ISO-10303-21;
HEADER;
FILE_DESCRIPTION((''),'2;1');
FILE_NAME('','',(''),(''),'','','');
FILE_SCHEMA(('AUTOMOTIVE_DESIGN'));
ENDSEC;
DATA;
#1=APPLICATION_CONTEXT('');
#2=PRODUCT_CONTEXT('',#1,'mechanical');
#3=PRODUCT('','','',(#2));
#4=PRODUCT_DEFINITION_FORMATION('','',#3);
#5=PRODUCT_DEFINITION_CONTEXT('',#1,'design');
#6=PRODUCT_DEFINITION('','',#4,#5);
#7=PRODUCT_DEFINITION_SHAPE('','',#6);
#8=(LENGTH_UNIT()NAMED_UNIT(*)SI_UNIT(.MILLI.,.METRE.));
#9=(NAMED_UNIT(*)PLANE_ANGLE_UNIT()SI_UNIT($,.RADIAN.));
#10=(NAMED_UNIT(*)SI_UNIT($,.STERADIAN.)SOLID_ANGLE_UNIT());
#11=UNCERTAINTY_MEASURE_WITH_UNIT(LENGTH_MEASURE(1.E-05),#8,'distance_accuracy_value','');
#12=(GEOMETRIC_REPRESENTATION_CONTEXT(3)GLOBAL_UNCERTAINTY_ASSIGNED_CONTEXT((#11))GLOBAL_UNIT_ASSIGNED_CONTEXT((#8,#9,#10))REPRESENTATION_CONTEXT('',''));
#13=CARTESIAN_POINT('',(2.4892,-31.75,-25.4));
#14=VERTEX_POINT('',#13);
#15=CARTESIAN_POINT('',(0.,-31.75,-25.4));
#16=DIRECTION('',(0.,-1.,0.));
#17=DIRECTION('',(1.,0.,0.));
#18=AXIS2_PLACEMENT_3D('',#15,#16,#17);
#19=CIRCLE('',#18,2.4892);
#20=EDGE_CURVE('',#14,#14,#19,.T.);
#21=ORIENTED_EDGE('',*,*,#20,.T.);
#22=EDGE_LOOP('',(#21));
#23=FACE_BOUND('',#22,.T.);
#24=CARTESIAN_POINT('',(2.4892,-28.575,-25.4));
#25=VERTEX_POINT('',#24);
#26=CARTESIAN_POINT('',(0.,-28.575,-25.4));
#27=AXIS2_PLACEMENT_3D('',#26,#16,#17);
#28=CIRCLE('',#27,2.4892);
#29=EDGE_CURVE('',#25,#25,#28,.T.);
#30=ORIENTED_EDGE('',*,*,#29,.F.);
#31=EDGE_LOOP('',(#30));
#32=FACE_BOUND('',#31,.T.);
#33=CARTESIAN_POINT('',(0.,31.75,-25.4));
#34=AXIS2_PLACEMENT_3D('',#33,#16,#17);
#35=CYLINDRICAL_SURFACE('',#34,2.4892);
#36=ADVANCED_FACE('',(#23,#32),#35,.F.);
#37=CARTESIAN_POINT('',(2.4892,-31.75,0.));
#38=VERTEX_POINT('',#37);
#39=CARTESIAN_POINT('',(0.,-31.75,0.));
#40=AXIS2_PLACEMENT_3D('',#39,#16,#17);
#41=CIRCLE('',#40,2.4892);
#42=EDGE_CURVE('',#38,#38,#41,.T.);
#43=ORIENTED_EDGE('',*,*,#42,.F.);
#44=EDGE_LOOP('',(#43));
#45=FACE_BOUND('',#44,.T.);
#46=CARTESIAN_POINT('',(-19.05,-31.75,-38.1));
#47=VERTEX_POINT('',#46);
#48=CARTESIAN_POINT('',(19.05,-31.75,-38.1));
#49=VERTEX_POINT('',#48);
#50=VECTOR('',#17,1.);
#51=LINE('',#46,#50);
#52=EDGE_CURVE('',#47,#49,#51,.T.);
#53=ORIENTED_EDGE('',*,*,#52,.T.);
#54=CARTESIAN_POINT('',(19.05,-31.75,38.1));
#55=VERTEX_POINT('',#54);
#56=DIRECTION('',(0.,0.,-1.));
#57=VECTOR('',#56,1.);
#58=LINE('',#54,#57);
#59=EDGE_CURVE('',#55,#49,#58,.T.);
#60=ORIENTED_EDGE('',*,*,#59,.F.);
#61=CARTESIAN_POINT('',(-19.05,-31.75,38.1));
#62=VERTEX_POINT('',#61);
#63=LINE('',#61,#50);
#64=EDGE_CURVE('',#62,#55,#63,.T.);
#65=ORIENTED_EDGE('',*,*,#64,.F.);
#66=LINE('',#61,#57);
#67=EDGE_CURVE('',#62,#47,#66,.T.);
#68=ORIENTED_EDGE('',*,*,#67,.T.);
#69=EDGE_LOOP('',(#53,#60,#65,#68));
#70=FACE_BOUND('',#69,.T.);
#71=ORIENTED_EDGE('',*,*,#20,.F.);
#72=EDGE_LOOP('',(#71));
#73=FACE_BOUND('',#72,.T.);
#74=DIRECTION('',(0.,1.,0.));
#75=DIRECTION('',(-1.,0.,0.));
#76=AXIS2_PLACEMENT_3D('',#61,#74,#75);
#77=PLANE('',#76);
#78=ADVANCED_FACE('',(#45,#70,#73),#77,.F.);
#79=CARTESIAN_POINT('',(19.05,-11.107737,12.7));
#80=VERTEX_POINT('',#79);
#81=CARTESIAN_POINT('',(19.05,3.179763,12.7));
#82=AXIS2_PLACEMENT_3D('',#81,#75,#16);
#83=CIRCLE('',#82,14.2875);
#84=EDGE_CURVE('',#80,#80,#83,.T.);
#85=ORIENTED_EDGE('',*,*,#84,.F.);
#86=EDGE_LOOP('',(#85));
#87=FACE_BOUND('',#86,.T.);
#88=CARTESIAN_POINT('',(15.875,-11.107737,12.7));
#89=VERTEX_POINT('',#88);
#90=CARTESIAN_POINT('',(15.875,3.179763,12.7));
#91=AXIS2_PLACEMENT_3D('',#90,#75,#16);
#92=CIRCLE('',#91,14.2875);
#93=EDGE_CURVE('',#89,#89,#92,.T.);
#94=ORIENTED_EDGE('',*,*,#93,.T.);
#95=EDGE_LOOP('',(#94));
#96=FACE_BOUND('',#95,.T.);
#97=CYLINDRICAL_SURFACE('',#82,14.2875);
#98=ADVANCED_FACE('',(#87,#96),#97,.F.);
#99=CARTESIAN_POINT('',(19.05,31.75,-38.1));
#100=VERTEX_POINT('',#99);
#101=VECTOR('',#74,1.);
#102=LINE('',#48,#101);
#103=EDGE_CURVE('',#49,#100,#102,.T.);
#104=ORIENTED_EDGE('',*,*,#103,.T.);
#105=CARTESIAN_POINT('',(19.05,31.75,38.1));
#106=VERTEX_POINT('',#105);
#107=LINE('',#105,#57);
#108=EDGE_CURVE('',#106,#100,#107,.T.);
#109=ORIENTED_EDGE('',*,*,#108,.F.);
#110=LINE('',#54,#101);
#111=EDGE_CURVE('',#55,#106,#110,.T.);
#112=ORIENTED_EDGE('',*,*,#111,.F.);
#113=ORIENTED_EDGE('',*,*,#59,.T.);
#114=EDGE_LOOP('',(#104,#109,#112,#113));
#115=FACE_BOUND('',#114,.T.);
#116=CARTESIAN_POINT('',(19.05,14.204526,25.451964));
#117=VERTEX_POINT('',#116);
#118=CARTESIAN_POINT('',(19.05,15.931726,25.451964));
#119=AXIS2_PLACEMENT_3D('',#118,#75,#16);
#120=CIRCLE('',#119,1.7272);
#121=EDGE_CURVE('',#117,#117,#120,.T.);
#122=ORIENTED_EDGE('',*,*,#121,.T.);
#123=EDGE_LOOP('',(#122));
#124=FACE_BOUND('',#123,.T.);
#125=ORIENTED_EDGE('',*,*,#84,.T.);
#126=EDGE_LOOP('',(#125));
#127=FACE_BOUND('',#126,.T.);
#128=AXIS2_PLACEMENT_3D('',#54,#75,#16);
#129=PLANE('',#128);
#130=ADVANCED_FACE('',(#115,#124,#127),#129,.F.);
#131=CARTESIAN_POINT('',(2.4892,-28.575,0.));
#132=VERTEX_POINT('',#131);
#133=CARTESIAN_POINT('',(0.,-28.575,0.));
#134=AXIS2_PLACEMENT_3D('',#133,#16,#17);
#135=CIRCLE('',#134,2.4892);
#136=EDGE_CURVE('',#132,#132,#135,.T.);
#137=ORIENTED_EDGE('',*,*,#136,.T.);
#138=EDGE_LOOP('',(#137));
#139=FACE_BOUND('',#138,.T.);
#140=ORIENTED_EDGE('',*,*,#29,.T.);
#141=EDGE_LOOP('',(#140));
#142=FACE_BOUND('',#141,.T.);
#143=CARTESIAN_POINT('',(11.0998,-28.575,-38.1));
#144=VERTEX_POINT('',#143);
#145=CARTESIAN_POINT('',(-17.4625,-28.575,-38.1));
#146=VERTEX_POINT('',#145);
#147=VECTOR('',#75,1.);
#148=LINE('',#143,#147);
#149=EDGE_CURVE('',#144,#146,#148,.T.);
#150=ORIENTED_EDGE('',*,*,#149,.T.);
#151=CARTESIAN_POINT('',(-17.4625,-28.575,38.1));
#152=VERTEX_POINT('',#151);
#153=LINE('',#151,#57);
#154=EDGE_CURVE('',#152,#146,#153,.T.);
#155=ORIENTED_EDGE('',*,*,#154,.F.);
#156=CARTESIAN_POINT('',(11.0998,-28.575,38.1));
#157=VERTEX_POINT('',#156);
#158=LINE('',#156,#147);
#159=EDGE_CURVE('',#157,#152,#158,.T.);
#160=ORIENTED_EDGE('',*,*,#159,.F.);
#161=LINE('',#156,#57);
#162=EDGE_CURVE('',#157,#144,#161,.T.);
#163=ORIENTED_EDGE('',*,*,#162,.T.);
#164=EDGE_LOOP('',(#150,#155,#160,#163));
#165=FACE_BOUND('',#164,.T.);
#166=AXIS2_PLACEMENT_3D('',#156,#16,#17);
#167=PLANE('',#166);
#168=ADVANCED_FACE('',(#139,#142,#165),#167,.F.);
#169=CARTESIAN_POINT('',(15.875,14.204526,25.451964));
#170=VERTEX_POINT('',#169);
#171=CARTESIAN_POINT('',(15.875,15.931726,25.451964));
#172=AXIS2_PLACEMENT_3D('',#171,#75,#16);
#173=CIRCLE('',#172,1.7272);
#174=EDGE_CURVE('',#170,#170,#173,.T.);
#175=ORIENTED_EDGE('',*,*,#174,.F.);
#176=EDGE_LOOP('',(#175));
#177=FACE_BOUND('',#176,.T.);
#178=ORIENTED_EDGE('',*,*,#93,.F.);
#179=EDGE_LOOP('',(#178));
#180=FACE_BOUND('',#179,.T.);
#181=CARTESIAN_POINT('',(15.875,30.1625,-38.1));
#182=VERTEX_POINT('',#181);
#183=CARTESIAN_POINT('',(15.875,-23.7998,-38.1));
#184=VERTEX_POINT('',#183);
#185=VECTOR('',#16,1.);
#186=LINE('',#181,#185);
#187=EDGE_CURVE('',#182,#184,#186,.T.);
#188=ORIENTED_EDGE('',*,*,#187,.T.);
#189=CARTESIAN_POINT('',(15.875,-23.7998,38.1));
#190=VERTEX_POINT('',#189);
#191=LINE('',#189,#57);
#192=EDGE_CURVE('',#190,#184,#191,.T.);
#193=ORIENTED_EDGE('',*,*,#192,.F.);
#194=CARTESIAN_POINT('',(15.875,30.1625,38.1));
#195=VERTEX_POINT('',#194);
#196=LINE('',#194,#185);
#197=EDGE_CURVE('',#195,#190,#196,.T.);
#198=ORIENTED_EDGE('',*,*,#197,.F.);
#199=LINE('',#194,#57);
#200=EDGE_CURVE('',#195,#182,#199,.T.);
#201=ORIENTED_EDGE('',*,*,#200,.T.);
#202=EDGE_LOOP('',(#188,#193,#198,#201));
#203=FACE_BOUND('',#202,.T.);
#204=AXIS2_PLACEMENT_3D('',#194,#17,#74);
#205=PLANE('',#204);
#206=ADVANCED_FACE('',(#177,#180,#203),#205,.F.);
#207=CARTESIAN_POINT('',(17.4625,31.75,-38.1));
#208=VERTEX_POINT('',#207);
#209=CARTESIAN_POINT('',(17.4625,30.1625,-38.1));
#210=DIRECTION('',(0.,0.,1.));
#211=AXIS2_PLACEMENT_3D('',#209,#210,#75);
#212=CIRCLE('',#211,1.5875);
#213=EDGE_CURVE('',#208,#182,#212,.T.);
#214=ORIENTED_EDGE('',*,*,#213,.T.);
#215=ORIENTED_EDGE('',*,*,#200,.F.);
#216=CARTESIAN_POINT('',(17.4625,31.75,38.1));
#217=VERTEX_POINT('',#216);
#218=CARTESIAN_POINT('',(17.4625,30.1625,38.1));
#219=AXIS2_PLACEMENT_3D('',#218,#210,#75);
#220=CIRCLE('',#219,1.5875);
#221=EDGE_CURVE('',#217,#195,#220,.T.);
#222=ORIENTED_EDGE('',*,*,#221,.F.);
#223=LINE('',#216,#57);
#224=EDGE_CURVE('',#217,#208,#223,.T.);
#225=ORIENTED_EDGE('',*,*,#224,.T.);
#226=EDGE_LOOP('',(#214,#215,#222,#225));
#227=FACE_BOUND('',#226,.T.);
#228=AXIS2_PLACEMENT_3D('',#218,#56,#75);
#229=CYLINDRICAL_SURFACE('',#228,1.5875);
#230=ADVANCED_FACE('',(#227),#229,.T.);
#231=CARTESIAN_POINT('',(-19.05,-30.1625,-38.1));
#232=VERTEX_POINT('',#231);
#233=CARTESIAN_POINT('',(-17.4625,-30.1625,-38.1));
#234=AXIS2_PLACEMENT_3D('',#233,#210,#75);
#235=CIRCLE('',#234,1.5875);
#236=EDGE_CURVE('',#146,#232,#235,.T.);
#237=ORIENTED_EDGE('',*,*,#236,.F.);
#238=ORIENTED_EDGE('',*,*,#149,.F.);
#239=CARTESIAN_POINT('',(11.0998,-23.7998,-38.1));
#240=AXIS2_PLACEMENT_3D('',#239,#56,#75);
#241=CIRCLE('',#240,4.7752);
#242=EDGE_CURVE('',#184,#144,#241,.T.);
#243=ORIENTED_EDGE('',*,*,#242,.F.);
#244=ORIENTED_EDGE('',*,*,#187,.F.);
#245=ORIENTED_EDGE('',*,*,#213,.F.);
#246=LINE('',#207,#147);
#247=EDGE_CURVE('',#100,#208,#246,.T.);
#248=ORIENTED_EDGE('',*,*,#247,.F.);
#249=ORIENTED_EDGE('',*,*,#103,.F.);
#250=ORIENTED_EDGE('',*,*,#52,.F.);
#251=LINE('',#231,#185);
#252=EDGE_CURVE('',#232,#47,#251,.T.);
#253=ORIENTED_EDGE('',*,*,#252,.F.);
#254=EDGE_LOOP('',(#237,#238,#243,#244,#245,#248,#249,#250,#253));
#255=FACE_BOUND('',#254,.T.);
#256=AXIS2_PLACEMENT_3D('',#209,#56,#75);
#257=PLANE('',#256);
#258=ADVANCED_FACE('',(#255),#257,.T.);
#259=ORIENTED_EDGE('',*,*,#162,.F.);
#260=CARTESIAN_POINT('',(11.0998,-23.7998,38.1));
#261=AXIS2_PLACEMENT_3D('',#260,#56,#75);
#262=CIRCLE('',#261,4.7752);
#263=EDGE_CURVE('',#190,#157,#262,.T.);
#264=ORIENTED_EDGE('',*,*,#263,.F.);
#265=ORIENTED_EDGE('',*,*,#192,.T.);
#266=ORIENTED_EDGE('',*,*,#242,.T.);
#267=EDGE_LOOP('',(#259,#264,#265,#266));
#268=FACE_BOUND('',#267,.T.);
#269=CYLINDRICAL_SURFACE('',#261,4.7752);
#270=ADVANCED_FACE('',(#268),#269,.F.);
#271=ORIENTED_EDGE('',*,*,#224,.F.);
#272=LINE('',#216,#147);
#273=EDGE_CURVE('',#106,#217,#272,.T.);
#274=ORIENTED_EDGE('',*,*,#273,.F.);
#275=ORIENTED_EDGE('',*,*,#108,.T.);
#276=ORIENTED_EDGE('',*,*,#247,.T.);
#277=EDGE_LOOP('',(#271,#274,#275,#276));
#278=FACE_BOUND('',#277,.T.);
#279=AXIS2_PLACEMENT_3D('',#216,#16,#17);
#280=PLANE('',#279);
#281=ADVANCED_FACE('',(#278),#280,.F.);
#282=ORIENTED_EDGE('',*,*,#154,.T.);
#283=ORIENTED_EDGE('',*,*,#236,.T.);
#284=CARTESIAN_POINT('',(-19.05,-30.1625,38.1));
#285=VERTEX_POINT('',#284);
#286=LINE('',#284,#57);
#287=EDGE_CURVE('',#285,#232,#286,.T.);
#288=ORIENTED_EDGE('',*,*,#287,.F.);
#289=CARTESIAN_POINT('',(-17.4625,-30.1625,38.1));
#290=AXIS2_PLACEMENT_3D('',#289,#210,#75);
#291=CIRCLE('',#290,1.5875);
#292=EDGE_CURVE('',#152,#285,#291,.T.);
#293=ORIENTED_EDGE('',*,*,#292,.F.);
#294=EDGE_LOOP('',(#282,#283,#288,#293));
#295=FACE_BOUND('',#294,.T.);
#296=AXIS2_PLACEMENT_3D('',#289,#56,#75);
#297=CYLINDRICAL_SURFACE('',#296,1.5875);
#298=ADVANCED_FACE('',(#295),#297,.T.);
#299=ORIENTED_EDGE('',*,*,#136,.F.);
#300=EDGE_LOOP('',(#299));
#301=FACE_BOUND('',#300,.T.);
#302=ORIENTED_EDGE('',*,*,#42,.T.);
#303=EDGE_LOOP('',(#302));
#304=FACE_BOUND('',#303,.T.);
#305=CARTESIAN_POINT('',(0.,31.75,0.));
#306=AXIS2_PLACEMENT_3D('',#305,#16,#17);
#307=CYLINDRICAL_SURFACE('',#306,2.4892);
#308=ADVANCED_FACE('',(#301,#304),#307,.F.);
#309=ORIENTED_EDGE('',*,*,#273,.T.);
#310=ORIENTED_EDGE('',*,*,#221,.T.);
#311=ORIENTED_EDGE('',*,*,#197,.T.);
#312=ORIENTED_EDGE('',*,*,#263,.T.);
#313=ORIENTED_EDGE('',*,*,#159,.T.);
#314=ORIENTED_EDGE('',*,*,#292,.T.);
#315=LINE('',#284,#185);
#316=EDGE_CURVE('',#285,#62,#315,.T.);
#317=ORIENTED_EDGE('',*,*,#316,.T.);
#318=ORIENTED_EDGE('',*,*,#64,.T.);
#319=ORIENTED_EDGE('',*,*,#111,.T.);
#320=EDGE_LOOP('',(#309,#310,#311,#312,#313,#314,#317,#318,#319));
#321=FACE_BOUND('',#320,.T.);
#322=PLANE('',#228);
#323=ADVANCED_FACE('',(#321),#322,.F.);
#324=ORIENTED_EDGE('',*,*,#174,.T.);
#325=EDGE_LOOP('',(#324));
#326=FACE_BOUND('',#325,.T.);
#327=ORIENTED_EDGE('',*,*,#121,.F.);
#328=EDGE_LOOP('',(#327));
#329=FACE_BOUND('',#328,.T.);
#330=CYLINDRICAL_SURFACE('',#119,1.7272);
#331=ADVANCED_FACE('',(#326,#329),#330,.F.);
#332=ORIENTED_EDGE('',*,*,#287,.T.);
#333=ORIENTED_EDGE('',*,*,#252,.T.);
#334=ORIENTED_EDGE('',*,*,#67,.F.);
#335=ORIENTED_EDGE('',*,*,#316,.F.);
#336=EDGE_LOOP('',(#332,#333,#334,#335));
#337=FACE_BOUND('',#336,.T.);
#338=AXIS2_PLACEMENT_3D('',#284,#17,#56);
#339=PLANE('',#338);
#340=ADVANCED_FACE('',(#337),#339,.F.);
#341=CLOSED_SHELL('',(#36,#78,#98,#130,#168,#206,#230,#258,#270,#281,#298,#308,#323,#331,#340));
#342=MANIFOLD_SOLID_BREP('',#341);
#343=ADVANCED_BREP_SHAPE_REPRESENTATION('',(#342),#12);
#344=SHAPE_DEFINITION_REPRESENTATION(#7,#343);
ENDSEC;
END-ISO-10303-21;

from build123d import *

# Parameters (mm, degrees)
BOSS_EXTRUDE1_DEPTH = 38.1
SKETCH3_R           = 14.2875
SKETCH3_R_2         = 1.7272
CUT_EXTRUDE1_DEPTH  = 61.658289829
SKETCH9_R           = 2.4892
CUT_EXTRUDE2_DEPTH  = 77.464125575


with BuildPart() as part:
    # Sketch2 → Boss-Extrude1 (new, symmetric)
    with BuildSketch(Plane.XY):
        with BuildLine():
            Line((-19.05, -31.75), (19.05, -31.75))
            Line((19.05, -31.75), (19.05, 31.75))
            Line((19.05, 31.75), (17.4625, 31.75))
            ThreePointArc((17.4625, 31.75), (16.339967985, 31.285032015), (15.875, 30.1625))
            Line((15.875, 30.1625), (15.875, -23.7998))
            ThreePointArc((15.875, -23.7998), (14.476376302, -27.176376302), (11.0998, -28.575))
            Line((11.0998, -28.575), (-17.4625, -28.575))
            ThreePointArc((-17.4625, -28.575), (-18.585032015, -29.039967985), (-19.05, -30.1625))
            Line((-19.05, -30.1625), (-19.05, -31.75))
        make_face()
    extrude(amount=BOSS_EXTRUDE1_DEPTH, both=True)

    # Sketch3 → Cut-Extrude1 (cut, through all)
    with BuildSketch(Plane.ZY.offset(-15.875)):
        with Locations(Location((12.70000005, 3.1797625, 0), (0, 0, 270))):
            Circle(SKETCH3_R)
        with Locations(Location((25.451963742, 15.931726192, 0), (0, 0, 270))):
            Circle(SKETCH3_R_2)
    extrude(amount=-CUT_EXTRUDE1_DEPTH, mode=Mode.SUBTRACT)

    # Sketch9 → Cut-Extrude2 (cut, through all)
    with BuildSketch(Plane.XZ.offset(31.75)):
        Circle(SKETCH9_R)
        with Locations((0, -25.4)):
            Circle(SKETCH9_R)
    extrude(amount=-CUT_EXTRUDE2_DEPTH, mode=Mode.SUBTRACT)


solid = part.part
